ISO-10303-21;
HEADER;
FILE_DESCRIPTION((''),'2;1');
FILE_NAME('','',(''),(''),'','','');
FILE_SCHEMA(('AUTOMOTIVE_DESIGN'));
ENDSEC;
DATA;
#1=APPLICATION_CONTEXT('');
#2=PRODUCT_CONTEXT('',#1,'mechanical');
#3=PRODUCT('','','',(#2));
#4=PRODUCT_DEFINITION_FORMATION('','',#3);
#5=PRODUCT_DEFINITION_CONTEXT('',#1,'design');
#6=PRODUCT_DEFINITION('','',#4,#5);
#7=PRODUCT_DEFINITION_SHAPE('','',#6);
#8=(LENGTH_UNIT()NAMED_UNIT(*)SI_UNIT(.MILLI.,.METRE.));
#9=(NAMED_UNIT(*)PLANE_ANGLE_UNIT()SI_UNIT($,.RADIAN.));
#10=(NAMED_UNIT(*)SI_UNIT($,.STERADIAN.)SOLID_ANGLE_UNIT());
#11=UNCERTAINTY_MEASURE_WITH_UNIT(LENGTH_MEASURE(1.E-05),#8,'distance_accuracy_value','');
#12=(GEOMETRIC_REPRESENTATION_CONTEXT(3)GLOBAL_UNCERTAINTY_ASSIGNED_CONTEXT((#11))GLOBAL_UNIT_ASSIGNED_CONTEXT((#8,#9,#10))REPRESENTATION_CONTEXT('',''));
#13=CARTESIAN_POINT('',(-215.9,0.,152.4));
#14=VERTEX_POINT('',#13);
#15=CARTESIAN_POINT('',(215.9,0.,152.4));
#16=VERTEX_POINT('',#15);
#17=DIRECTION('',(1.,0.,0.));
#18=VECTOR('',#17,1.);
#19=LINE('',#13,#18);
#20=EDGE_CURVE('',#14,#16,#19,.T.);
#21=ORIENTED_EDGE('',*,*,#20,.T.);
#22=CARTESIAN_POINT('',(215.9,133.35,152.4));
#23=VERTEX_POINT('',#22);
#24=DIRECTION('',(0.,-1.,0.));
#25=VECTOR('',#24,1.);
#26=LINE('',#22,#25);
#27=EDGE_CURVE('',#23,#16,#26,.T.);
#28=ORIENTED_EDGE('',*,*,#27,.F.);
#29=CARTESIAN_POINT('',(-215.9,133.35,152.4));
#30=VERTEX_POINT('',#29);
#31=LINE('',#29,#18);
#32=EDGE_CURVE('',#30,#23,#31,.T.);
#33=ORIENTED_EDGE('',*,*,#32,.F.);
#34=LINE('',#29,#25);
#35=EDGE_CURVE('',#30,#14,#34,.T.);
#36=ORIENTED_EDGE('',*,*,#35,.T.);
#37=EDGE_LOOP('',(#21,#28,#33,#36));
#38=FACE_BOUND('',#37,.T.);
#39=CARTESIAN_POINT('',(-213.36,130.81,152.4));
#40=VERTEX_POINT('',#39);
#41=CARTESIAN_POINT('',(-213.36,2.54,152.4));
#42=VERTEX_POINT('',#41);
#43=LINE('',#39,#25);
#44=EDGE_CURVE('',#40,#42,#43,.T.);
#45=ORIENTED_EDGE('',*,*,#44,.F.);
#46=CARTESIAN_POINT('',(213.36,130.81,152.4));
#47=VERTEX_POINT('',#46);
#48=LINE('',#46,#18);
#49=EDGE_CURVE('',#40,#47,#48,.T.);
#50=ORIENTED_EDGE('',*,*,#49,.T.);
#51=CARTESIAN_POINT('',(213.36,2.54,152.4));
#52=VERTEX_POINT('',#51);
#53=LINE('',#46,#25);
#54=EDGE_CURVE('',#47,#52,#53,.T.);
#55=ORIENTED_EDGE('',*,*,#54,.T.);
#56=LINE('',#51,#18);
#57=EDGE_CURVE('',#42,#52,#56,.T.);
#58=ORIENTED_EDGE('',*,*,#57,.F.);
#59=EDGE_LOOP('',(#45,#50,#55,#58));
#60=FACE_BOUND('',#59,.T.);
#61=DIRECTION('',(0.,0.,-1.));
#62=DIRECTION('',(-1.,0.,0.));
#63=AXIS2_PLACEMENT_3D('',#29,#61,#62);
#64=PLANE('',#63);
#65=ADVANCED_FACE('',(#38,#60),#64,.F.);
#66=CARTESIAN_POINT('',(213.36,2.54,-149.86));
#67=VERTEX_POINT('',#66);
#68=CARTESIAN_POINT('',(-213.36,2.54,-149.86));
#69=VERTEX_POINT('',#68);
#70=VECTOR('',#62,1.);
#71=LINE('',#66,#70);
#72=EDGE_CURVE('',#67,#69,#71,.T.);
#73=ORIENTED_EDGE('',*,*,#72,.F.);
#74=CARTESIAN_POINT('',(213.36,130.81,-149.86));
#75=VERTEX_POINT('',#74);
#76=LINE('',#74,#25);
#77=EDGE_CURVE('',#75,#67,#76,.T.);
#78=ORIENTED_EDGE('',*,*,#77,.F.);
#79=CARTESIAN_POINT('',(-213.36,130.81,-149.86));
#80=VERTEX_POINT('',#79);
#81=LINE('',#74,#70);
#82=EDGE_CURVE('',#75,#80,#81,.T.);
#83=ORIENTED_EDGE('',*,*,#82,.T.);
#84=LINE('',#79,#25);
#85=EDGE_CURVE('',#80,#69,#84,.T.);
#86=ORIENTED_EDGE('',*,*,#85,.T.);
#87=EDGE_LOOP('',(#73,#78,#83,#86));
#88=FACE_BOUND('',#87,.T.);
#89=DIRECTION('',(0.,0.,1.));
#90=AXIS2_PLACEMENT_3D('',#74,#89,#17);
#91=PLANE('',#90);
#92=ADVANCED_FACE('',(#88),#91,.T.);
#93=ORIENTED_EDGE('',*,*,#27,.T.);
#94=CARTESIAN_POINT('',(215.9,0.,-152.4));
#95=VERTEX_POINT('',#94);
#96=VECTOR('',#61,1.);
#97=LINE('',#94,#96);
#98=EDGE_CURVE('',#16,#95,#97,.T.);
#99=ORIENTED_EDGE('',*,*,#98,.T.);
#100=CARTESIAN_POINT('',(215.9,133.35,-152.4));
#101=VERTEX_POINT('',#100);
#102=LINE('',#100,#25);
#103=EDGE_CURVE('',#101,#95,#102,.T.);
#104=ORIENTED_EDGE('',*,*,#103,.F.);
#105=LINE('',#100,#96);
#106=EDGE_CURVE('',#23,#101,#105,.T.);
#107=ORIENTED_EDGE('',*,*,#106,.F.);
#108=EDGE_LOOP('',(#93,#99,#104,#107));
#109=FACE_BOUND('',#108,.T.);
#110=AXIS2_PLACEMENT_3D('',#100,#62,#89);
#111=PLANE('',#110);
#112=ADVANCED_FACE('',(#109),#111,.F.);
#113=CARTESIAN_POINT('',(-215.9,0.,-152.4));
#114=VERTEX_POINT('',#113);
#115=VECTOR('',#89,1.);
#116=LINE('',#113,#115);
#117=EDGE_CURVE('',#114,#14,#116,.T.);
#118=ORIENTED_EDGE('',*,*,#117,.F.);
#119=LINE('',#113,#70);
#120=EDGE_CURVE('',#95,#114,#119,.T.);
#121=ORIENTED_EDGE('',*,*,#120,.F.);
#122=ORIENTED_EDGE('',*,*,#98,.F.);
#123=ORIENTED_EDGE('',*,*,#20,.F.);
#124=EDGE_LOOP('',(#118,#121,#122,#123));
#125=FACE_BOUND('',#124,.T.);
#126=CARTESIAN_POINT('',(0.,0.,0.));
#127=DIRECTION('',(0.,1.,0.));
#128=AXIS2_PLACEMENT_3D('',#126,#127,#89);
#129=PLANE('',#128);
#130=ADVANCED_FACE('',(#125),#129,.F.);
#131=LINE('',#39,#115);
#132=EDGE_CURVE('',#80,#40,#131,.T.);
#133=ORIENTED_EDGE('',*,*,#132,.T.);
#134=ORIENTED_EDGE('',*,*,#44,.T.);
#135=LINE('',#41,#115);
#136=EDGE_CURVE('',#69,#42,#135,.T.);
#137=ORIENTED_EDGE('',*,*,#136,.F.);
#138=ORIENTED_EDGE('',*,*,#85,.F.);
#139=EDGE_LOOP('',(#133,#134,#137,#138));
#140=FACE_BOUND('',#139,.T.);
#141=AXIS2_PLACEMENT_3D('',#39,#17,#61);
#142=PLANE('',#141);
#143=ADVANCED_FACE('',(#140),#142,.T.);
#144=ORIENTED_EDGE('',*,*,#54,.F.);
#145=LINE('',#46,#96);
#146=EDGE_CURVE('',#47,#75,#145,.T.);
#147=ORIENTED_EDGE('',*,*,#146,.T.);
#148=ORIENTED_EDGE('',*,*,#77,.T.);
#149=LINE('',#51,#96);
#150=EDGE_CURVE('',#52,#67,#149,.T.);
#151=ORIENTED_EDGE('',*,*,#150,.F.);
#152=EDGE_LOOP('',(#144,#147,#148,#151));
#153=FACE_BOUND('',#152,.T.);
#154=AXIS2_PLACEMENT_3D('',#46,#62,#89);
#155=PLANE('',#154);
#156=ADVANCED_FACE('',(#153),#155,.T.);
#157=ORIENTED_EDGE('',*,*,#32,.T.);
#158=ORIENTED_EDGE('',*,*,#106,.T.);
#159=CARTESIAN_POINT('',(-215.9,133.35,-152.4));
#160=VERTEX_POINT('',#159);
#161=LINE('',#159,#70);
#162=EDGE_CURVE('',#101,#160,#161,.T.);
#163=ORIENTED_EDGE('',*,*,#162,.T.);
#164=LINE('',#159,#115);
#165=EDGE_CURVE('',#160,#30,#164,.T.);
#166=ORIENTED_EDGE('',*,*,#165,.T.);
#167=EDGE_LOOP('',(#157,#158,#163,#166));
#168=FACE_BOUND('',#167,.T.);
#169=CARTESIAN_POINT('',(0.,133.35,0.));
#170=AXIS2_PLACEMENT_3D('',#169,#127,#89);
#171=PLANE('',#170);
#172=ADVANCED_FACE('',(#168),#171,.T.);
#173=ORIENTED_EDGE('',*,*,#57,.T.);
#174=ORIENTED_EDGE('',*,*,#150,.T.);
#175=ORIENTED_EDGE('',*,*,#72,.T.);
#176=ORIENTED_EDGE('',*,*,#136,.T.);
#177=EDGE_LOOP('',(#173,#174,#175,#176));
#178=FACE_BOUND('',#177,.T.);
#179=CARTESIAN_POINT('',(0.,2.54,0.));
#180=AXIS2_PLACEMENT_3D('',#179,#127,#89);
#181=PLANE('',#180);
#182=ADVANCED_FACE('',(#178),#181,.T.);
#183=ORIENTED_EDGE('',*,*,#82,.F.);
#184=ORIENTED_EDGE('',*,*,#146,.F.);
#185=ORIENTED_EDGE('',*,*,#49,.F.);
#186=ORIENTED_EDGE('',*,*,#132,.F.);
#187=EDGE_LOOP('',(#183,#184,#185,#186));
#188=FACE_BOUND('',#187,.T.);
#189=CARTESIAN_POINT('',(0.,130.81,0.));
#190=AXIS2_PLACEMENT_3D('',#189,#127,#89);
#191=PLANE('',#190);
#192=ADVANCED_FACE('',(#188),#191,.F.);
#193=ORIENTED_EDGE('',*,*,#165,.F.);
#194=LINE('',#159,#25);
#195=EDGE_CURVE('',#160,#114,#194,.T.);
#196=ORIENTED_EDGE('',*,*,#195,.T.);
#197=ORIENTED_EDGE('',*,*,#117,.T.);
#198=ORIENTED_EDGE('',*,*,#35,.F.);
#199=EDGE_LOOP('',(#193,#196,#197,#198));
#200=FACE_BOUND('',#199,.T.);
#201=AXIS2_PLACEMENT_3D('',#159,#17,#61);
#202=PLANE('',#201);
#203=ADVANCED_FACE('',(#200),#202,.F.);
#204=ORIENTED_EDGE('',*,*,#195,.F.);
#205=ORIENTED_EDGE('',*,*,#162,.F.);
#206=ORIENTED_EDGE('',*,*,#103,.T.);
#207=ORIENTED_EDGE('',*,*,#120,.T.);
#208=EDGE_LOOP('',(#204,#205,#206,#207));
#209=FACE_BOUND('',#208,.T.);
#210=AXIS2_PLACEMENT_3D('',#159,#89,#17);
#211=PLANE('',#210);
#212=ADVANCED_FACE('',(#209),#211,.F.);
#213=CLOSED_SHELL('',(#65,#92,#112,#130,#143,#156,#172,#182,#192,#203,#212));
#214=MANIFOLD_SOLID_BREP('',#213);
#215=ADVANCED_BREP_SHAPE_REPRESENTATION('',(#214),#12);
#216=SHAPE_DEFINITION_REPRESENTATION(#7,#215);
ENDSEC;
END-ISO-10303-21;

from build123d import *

# Parameters (mm, degrees)
SKETCH1_W           = 431.8
SKETCH1_H           = 304.8
BOSS_EXTRUDE1_DEPTH = 133.35
CUT_EXTRUDE1_START  = 2.54
SKETCH2_W           = 426.72
SKETCH2_H           = 302.26
CUT_EXTRUDE1_DEPTH  = 128.27


with BuildPart() as part:
    # Sketch1 → Boss-Extrude1 (new body)
    with BuildSketch(Plane(origin=(0, 0, 0), x_dir=(1, 0, 0), z_dir=(0, 1, 0))):
        Rectangle(SKETCH1_W, SKETCH1_H)
    extrude(amount=BOSS_EXTRUDE1_DEPTH)

    # Sketch2 → Cut-Extrude1 (cut)
    with BuildSketch(Plane(origin=(0, 0, 0), x_dir=(1, 0, 0), z_dir=(0, 1, 0)).offset(CUT_EXTRUDE1_START)):
        with Locations((0, -1.27)):
            Rectangle(SKETCH2_W, SKETCH2_H)
    extrude(amount=CUT_EXTRUDE1_DEPTH, mode=Mode.SUBTRACT)


solid = part.part
